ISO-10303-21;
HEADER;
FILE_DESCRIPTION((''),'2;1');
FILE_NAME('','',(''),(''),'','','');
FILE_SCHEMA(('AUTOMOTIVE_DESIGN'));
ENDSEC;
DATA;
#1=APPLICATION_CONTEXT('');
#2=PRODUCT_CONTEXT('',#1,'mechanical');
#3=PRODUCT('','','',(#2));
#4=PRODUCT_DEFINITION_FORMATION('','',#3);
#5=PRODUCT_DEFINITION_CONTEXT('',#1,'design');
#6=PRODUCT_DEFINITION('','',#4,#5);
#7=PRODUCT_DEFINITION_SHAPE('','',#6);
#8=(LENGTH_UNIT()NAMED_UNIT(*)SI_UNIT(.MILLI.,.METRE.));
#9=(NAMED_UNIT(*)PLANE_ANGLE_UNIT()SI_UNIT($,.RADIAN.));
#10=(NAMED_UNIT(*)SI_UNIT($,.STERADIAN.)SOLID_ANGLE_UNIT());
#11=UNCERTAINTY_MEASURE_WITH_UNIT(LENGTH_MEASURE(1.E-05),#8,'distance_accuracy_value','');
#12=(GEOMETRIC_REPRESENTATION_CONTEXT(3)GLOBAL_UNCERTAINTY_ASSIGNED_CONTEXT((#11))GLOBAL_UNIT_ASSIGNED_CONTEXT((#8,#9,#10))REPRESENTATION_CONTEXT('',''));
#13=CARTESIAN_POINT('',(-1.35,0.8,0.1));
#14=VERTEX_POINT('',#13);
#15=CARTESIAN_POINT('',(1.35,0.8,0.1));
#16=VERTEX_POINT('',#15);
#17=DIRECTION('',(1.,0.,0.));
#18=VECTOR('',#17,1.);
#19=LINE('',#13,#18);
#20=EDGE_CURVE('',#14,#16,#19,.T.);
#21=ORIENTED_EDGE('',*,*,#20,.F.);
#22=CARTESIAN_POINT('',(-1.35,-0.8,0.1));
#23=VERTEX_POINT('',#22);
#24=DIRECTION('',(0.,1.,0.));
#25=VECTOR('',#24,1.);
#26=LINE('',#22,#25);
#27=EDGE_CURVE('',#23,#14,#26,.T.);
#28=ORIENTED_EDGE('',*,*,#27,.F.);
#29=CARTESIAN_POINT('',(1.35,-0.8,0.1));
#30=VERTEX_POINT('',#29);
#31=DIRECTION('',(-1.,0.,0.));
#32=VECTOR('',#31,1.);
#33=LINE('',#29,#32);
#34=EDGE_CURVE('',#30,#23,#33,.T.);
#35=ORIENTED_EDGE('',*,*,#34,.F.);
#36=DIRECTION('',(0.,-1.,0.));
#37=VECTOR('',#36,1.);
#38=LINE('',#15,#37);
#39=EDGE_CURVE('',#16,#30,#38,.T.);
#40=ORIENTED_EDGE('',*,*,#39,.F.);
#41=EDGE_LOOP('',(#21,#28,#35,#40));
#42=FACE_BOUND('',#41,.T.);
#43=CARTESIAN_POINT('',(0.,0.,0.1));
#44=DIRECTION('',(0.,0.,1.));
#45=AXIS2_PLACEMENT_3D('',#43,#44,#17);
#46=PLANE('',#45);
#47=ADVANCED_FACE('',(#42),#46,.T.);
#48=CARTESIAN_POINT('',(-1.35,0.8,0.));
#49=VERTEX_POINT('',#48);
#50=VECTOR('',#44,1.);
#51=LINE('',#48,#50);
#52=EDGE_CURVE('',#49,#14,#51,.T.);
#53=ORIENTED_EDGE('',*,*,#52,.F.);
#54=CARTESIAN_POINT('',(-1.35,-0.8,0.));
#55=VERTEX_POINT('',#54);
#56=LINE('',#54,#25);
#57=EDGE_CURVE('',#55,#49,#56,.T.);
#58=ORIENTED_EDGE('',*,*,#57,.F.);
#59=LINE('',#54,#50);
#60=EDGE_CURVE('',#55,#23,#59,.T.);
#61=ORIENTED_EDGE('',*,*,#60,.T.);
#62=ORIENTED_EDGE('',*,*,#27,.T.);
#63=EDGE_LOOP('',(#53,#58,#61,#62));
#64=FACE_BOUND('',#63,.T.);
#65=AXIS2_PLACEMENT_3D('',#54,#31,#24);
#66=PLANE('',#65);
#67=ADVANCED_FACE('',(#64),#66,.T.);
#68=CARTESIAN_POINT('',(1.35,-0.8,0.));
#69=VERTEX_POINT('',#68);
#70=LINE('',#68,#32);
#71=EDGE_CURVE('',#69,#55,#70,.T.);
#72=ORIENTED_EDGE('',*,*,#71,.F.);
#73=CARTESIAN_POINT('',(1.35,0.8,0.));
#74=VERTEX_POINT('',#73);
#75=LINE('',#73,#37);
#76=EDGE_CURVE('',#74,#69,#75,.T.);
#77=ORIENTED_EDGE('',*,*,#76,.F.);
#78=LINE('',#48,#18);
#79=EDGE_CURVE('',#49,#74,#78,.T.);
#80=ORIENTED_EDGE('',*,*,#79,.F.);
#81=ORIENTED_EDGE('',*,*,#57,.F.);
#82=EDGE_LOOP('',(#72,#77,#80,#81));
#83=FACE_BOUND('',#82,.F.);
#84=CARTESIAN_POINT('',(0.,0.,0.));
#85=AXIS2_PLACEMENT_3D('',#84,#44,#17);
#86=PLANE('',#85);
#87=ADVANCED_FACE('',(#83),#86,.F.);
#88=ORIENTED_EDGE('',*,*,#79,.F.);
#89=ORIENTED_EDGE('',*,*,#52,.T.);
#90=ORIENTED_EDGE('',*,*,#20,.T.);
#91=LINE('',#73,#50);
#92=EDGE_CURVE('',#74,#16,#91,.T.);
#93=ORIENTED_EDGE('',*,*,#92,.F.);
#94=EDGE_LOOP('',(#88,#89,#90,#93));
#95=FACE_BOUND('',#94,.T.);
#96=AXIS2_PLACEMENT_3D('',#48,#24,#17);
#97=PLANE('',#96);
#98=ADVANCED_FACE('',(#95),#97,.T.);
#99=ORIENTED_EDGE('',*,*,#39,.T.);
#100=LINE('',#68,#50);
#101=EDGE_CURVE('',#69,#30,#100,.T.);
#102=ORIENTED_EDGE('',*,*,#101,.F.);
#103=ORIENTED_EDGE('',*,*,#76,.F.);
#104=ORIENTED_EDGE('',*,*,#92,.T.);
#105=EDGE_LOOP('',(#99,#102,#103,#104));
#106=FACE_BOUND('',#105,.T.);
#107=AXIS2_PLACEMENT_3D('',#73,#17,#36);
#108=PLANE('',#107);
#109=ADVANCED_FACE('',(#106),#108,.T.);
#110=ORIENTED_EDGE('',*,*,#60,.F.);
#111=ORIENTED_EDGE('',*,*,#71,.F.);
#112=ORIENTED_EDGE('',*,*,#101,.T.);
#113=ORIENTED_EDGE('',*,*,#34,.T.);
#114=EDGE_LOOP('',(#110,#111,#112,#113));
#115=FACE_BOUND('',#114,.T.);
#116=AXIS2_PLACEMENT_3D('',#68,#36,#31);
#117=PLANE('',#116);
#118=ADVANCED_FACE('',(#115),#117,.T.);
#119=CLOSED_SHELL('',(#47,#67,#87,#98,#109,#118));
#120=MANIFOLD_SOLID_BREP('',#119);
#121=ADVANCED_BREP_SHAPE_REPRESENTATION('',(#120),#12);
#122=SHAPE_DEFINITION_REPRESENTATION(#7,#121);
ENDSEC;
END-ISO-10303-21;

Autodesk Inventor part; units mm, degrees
ref_plane "YZ Plane" through (0, 0, 0) normal (1, 0, 0) x (0, 1, 0)
ref_plane "XZ Plane" through (0, 0, 0) normal (0, 1, 0) x (-1, 0, 0)
ref_plane "XY Plane" through (0, 0, 0) normal (0, 0, 1) x (1, 0, 0)
sketch "NET TIE, NetTie_313" plane through (0, 0, 0) normal (0, 0, 1) x (1, 0, 0)
  line L0 (-1.35, -0.8) -> (-1.35, 0.8)
  line L1 (-1.35, 0.8) -> (1.35, 0.8)
  line L2 (1.35, 0.8) -> (1.35, -0.8)
  line L3 (1.35, -0.8) -> (-1.35, -0.8)
extrude "Extrusion1" add sketch "NET TIE, NetTie_313" along normal blind 0.1
properties part number "NetTie"
